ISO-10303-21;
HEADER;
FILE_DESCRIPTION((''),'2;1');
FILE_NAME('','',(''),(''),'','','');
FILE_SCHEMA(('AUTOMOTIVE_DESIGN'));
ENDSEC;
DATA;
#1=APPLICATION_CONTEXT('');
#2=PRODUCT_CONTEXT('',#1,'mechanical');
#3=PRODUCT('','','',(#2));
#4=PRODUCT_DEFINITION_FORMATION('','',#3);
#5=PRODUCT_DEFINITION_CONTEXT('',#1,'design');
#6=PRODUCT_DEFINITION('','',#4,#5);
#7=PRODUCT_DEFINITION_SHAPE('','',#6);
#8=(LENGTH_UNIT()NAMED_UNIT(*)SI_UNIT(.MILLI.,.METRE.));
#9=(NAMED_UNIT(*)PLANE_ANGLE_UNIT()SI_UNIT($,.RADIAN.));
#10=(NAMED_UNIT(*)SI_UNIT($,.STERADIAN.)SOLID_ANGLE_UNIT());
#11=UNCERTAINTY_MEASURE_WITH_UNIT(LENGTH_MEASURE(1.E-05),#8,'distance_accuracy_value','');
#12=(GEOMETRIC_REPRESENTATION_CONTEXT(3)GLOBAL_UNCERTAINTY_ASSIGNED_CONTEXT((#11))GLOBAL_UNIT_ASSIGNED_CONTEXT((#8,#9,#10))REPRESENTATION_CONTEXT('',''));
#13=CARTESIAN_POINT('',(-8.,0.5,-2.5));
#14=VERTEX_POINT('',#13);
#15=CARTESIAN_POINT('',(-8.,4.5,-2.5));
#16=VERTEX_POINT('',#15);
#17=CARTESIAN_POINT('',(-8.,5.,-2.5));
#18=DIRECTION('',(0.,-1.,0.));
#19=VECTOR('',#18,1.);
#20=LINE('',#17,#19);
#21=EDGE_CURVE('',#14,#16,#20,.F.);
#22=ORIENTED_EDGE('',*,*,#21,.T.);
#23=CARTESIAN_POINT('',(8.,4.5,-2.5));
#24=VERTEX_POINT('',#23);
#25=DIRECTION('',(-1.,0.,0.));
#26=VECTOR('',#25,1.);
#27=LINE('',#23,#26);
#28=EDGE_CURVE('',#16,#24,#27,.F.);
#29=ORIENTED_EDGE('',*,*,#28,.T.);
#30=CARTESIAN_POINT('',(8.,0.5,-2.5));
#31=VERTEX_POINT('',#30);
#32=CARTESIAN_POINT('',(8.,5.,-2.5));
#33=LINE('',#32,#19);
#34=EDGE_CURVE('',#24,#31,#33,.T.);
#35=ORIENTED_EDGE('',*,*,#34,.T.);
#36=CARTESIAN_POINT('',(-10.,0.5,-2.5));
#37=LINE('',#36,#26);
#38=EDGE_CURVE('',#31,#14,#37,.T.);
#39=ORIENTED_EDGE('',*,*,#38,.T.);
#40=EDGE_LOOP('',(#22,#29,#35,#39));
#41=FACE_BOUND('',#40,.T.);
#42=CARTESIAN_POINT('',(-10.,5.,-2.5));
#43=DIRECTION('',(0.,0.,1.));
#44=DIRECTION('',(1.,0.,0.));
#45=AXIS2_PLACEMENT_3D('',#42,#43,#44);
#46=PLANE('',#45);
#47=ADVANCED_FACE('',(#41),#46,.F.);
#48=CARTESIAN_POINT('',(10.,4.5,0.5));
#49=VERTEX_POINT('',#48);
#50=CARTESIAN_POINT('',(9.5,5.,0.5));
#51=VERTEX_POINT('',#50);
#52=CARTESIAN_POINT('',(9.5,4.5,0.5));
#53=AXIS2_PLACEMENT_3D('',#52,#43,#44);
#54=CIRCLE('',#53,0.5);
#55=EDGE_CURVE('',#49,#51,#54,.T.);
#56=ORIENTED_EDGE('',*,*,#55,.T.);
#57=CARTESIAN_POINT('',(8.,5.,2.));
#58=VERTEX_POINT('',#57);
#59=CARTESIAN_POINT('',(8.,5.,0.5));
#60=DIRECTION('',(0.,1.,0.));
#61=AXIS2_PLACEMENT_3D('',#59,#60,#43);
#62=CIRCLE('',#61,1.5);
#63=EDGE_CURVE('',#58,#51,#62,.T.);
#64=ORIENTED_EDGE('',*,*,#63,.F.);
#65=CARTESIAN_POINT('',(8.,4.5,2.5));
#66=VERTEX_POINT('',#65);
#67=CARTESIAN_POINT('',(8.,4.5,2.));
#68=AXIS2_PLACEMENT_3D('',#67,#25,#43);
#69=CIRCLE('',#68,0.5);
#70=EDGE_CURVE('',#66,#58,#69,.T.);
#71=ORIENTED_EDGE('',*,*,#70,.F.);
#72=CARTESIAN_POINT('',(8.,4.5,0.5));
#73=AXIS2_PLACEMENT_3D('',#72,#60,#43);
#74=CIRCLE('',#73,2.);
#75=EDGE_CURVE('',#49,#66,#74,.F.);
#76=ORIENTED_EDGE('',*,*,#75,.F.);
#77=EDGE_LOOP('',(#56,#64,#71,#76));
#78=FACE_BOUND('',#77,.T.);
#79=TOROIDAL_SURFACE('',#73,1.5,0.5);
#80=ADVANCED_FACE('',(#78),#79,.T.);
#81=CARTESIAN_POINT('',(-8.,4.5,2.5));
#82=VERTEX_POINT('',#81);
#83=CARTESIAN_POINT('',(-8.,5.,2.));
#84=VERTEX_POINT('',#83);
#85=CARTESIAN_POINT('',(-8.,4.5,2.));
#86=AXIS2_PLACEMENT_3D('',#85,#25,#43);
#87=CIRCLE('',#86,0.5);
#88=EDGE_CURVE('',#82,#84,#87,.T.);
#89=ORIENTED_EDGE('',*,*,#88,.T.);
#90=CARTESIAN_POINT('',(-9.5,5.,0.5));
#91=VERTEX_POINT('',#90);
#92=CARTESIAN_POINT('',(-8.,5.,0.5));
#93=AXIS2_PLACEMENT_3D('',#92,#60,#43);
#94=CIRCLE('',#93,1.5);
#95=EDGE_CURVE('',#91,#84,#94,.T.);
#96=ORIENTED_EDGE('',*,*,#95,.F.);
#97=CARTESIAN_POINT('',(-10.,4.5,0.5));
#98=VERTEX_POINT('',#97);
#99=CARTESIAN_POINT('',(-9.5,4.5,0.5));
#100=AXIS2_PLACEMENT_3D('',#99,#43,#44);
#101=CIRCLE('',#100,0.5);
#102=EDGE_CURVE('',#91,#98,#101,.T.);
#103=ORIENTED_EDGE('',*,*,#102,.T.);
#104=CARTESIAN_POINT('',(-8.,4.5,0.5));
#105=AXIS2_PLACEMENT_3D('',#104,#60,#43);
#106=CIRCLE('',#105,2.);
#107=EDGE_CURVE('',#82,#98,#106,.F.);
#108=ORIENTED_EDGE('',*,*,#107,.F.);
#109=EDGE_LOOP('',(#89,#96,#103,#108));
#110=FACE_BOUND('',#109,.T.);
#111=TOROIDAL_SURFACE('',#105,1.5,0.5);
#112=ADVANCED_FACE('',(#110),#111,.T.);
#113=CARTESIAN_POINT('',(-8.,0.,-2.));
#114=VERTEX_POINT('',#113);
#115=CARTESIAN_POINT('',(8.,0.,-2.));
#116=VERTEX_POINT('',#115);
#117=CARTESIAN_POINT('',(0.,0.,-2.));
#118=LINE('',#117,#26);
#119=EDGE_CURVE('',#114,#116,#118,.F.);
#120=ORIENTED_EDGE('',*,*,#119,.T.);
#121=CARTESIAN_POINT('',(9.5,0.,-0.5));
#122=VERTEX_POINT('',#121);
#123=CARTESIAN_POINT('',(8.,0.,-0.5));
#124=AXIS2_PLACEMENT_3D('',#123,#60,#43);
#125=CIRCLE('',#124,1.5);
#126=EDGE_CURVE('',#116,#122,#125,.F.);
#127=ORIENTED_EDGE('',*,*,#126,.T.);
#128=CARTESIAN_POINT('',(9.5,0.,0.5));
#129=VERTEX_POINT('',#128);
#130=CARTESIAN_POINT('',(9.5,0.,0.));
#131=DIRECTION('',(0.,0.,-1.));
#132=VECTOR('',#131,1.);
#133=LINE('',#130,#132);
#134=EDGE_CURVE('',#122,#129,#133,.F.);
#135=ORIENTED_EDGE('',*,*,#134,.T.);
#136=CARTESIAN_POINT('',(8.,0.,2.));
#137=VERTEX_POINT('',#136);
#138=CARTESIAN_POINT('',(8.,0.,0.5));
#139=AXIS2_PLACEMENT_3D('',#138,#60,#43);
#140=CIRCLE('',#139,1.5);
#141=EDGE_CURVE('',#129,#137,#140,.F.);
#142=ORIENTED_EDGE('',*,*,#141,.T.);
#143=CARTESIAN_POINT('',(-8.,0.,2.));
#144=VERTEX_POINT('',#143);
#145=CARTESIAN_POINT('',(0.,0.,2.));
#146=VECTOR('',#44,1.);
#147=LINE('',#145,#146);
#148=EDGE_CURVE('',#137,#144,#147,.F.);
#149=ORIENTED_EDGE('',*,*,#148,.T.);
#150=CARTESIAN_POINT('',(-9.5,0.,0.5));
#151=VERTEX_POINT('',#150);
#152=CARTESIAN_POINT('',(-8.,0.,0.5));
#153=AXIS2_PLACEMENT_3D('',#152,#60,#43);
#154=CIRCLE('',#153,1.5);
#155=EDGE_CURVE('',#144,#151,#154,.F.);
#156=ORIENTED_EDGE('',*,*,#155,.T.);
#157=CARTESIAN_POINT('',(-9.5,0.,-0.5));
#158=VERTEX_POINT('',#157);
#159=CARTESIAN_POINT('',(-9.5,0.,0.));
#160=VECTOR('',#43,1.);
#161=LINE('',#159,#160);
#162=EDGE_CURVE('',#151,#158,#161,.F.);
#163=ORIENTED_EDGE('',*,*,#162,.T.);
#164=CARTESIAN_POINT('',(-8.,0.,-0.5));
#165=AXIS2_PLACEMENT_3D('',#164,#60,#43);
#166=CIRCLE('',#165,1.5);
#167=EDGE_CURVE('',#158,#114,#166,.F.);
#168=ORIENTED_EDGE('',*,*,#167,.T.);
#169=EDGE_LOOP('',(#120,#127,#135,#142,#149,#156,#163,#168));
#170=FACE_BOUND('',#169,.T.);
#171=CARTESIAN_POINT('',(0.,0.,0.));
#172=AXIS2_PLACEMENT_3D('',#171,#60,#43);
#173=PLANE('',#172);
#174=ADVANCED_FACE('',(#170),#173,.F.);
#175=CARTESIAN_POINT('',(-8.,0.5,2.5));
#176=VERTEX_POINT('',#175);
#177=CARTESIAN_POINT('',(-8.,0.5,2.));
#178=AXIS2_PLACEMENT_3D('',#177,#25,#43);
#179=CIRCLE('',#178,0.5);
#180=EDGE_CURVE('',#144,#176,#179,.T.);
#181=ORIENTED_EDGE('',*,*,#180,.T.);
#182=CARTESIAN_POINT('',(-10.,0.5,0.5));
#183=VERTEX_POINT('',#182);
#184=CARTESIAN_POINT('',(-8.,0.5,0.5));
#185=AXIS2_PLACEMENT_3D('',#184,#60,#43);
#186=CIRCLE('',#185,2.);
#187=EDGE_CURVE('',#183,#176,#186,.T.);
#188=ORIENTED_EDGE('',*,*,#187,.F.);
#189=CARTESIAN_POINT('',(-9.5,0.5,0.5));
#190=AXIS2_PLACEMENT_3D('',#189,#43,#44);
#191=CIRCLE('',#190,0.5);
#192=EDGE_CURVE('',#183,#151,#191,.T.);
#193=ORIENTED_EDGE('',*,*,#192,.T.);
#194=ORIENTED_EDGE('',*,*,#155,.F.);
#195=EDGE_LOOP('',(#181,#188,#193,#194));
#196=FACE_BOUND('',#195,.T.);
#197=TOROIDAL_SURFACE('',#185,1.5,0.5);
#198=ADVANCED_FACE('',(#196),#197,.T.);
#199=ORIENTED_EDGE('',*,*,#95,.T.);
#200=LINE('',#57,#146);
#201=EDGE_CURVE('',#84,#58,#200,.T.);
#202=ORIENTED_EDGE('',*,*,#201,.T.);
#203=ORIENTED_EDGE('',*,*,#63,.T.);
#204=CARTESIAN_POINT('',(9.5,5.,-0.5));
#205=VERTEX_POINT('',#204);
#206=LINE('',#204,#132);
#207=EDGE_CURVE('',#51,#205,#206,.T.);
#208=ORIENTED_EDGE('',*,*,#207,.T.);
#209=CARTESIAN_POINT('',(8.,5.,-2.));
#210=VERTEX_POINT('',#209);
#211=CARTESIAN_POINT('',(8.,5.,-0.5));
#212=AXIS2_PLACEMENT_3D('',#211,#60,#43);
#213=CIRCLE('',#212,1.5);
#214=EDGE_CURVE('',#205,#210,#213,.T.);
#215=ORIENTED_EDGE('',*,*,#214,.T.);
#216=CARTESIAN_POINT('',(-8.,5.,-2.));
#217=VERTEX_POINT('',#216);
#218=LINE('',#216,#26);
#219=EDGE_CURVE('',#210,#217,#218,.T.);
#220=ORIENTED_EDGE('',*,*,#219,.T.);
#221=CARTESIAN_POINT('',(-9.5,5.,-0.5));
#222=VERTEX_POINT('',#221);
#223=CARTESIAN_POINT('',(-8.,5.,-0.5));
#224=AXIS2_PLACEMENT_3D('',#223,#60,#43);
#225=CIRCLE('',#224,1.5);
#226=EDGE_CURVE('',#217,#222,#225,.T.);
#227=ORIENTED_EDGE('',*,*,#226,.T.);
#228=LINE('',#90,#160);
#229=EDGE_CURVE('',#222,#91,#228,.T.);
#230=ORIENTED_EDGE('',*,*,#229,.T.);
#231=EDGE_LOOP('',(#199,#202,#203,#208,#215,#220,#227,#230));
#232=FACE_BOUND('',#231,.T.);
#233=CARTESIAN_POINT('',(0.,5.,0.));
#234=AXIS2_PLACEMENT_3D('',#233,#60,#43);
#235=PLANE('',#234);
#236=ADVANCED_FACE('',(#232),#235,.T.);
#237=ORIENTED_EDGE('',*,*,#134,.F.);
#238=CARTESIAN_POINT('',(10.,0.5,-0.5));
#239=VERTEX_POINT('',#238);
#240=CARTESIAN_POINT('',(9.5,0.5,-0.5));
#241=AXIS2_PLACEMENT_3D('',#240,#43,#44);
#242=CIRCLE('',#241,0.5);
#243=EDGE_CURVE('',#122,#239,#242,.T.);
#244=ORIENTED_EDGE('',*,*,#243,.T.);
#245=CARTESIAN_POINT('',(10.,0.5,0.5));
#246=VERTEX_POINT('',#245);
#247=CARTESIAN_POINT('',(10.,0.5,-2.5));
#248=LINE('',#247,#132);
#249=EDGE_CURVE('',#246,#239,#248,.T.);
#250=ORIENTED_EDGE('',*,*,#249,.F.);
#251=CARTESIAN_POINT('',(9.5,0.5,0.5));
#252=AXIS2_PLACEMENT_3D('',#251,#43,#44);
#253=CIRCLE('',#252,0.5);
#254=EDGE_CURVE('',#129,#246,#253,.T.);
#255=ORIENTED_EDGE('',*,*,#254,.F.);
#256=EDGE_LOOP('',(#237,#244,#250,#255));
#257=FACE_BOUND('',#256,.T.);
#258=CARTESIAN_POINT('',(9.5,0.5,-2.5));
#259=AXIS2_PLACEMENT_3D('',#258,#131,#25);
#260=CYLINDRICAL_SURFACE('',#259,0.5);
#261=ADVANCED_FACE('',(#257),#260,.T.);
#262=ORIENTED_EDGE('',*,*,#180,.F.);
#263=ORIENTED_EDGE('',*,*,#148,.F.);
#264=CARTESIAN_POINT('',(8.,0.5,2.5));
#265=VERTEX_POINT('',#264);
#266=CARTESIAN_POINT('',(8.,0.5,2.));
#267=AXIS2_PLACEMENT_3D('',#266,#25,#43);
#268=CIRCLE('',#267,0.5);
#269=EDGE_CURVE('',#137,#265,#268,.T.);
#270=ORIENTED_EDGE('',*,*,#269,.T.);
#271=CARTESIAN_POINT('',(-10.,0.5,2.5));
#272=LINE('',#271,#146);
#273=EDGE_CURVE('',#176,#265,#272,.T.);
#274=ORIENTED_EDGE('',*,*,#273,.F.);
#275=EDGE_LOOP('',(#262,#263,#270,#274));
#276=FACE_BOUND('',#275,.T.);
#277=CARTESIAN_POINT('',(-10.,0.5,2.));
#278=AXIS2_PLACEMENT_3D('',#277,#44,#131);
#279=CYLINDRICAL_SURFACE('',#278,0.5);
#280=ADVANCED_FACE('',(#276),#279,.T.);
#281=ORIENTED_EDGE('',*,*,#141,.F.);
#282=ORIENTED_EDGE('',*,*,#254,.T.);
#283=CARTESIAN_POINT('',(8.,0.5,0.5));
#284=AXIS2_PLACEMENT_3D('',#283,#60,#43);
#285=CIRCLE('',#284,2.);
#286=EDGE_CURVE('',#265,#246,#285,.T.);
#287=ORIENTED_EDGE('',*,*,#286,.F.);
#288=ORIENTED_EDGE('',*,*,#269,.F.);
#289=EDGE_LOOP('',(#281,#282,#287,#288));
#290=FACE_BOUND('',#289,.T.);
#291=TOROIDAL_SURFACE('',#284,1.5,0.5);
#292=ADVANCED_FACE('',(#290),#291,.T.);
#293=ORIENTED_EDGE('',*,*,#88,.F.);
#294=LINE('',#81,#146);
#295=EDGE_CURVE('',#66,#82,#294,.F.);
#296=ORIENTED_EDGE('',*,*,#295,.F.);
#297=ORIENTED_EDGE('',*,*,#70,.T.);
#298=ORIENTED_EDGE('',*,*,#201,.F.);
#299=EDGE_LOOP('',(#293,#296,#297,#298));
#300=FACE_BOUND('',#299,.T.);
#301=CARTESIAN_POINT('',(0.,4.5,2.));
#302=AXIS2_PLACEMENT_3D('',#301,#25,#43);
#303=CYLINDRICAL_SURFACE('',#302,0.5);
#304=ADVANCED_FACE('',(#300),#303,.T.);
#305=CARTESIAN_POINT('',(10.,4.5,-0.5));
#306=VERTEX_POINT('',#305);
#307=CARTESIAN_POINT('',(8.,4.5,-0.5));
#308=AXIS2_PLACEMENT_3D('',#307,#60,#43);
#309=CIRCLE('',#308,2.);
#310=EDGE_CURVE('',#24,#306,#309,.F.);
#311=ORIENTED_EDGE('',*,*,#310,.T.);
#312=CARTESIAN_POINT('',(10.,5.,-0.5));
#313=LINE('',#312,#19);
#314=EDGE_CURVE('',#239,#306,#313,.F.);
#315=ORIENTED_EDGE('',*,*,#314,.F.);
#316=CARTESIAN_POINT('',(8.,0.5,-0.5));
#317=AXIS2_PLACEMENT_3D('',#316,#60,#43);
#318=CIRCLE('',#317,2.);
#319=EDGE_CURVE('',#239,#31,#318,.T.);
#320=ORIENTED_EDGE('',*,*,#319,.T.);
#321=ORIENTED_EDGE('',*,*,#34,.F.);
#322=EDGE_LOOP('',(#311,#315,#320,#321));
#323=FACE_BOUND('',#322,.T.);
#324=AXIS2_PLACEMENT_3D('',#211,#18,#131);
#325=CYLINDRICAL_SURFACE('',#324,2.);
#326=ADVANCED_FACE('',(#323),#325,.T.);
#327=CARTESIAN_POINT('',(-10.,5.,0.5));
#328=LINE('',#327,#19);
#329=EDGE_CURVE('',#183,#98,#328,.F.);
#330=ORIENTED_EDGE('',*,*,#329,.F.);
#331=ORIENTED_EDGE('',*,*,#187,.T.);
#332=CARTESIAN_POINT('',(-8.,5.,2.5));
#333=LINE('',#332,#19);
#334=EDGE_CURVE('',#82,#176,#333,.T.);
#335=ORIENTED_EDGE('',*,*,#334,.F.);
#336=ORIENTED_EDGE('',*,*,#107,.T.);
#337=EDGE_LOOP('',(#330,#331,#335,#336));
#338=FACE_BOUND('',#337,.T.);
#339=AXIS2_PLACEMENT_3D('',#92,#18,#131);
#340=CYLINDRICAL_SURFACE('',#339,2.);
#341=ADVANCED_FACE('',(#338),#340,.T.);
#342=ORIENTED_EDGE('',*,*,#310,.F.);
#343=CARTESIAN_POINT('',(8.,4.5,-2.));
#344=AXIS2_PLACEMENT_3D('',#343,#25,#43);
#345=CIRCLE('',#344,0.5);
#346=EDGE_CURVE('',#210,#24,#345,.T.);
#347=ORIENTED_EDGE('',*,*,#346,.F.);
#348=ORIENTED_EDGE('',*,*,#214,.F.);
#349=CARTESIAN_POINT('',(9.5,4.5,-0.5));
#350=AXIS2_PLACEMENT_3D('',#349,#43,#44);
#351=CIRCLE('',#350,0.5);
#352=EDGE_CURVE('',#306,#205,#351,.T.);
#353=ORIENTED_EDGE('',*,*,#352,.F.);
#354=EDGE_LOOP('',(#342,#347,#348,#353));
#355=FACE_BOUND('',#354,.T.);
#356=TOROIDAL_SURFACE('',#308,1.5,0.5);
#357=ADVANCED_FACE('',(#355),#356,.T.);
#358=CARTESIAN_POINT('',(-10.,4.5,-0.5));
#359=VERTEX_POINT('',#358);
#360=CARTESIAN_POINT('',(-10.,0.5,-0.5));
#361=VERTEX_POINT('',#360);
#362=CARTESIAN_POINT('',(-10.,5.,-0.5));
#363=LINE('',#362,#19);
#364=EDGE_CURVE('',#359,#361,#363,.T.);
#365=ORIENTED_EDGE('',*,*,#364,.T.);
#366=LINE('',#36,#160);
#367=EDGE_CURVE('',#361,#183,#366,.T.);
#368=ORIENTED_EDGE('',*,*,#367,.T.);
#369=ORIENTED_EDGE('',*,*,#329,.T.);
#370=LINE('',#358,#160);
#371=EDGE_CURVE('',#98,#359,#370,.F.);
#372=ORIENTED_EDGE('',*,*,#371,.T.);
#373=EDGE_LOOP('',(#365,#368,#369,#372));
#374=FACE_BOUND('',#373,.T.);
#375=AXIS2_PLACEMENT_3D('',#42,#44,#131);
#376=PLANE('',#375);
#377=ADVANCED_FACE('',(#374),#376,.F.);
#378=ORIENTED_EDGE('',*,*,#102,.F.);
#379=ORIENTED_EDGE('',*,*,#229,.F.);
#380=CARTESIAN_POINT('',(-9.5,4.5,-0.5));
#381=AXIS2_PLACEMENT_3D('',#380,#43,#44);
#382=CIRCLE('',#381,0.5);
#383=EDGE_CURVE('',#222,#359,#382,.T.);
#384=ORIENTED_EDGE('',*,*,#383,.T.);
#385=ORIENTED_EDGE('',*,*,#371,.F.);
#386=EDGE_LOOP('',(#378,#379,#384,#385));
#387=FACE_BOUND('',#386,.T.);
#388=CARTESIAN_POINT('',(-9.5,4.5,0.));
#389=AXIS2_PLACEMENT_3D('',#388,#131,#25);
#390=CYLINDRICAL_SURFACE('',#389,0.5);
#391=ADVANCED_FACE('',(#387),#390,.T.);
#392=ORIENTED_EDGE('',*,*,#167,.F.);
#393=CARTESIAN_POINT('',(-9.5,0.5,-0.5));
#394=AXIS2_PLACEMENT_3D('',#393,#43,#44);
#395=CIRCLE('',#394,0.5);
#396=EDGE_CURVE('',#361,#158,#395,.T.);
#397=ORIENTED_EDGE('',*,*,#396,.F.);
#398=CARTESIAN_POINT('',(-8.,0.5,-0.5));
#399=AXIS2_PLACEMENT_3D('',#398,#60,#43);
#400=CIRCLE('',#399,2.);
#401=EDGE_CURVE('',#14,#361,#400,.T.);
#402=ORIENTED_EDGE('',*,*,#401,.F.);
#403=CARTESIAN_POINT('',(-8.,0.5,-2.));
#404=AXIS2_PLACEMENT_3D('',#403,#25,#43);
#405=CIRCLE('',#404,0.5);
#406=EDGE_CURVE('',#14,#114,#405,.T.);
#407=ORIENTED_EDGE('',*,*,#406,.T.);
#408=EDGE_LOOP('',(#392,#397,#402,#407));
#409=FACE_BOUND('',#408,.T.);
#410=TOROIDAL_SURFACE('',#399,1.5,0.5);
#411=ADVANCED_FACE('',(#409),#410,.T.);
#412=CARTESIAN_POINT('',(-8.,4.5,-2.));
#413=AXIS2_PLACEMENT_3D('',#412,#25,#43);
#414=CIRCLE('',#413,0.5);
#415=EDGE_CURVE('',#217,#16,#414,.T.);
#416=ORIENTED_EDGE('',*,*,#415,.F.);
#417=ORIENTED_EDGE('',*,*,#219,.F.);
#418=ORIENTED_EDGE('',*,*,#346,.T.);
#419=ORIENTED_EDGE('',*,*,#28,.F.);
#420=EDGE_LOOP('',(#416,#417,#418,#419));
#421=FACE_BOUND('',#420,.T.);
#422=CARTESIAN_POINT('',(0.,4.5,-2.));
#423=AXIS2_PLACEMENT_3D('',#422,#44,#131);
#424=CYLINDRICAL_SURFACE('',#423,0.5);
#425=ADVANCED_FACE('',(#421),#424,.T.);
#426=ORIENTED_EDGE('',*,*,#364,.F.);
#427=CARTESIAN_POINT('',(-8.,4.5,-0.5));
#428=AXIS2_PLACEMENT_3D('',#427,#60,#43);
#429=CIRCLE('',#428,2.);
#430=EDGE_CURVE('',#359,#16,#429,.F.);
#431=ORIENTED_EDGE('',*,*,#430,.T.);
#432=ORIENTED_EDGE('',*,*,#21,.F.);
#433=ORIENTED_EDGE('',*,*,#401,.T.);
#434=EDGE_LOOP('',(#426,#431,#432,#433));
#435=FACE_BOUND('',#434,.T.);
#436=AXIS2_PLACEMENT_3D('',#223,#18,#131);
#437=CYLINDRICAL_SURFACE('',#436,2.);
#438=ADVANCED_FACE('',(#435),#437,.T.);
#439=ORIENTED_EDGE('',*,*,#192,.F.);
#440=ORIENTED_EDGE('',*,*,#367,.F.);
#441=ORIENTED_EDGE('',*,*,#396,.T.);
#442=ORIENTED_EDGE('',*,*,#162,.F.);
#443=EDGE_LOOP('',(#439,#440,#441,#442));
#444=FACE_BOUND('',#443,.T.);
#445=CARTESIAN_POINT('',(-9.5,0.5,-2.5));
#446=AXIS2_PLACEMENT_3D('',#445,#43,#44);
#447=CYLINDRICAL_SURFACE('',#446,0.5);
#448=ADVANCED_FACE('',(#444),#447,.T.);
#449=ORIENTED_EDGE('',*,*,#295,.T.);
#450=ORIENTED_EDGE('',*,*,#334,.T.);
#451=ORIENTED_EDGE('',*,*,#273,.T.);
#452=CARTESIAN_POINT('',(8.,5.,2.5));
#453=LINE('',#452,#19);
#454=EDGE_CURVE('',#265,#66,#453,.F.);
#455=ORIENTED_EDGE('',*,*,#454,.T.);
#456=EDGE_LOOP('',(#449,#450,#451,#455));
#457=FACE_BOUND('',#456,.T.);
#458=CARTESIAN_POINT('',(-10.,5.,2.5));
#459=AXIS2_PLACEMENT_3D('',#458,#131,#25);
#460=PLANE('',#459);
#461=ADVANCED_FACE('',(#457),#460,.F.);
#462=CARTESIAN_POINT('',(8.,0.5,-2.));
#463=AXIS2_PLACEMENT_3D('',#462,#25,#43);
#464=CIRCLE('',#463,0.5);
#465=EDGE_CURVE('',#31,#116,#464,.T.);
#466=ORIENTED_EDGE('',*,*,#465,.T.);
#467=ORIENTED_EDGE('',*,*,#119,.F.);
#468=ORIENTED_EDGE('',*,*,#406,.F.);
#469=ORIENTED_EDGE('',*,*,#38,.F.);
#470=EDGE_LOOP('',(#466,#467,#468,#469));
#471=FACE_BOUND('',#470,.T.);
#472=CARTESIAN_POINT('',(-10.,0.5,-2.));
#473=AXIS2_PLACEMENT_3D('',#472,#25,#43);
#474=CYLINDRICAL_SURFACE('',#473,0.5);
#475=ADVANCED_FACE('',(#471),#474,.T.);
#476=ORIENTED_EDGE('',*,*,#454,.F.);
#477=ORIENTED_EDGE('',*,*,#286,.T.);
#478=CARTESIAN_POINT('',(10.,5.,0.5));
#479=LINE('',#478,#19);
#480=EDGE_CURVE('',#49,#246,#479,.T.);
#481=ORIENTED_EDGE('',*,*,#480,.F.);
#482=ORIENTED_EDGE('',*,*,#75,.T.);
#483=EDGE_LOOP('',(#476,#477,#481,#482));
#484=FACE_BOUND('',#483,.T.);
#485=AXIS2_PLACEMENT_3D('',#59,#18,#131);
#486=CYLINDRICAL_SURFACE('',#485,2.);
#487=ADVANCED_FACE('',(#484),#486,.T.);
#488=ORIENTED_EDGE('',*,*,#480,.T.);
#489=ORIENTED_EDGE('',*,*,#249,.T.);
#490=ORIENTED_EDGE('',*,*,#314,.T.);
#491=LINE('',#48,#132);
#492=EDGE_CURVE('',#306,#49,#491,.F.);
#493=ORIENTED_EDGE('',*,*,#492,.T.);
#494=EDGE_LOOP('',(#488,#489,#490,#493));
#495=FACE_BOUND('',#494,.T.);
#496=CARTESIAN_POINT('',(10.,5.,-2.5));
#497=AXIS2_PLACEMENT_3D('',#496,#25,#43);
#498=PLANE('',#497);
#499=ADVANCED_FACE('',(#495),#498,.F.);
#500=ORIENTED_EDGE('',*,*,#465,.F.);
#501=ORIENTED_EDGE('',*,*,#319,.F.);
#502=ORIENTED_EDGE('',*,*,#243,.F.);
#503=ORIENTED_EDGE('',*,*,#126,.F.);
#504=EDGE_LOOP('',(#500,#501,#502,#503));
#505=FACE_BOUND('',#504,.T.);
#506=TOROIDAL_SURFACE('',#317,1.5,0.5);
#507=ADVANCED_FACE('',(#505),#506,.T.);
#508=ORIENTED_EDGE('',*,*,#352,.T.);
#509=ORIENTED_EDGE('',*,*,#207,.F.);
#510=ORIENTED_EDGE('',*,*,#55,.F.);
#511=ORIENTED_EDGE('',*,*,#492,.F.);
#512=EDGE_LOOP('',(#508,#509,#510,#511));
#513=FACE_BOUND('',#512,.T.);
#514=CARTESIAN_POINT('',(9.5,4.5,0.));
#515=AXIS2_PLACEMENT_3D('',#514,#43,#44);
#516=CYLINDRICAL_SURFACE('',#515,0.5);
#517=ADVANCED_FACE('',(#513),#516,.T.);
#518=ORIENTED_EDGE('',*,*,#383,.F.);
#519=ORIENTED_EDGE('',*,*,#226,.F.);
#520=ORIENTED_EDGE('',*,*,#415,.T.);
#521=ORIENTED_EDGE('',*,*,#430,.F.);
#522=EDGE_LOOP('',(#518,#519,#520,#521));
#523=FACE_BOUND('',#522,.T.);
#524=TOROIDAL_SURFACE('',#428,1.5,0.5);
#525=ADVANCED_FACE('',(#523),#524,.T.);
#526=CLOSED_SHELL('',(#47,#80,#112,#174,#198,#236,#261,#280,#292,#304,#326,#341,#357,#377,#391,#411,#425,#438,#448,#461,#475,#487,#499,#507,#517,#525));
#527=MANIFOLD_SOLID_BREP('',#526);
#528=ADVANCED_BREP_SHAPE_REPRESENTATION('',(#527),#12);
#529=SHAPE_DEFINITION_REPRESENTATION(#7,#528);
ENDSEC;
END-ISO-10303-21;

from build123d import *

# Parameters (mm, degrees)
SKETCH_1_W      = 20
SKETCH_1_H      = 5
EXTRUDE_1_DEPTH = 5
FILLET_1_R      = 2
FILLET_2_R      = 0.5


with BuildPart() as part:
    # 草圖1 → 填料-伸長1 (new body)
    with BuildSketch(Plane(origin=(0, 0, 0), x_dir=(1, 0, 0), z_dir=(0, 1, 0))):
        Rectangle(SKETCH_1_W, SKETCH_1_H)
    extrude(amount=EXTRUDE_1_DEPTH)

    # 圓角1
    fillet_1_edges = [part.edges().sort_by_distance(p)[0] for p in [
        (10, 2.5, 2.5),
        (-10, 2.5, 2.5),
        (-10, 2.5, -2.5),
        (10, 2.5, -2.5),
    ]]
    fillet(fillet_1_edges, radius=FILLET_1_R)

    # 圓角2
    fillet_2_edges = [part.edges().sort_by_distance(p)[0] for p in [
        (-10, 0, 0),
        (-10, 5, 0),
        (10, 0, 0),
        (0, 0, 2.5),
        (0, 0, -2.5),
        (9.414213562, 0, -1.914213562),
        (9.414213562, 0, 1.914213562),
        (-9.414213562, 0, 1.914213562),
        (-9.414213562, 0, -1.914213562),
        (0, 5, -2.5),
        (10, 5, 0),
        (0, 5, 2.5),
        (9.414213562, 5, -1.914213562),
        (9.414213562, 5, 1.914213562),
        (-9.414213562, 5, 1.914213562),
        (-9.414213562, 5, -1.914213562),
    ]]
    fillet(fillet_2_edges, radius=FILLET_2_R)


solid = part.part
